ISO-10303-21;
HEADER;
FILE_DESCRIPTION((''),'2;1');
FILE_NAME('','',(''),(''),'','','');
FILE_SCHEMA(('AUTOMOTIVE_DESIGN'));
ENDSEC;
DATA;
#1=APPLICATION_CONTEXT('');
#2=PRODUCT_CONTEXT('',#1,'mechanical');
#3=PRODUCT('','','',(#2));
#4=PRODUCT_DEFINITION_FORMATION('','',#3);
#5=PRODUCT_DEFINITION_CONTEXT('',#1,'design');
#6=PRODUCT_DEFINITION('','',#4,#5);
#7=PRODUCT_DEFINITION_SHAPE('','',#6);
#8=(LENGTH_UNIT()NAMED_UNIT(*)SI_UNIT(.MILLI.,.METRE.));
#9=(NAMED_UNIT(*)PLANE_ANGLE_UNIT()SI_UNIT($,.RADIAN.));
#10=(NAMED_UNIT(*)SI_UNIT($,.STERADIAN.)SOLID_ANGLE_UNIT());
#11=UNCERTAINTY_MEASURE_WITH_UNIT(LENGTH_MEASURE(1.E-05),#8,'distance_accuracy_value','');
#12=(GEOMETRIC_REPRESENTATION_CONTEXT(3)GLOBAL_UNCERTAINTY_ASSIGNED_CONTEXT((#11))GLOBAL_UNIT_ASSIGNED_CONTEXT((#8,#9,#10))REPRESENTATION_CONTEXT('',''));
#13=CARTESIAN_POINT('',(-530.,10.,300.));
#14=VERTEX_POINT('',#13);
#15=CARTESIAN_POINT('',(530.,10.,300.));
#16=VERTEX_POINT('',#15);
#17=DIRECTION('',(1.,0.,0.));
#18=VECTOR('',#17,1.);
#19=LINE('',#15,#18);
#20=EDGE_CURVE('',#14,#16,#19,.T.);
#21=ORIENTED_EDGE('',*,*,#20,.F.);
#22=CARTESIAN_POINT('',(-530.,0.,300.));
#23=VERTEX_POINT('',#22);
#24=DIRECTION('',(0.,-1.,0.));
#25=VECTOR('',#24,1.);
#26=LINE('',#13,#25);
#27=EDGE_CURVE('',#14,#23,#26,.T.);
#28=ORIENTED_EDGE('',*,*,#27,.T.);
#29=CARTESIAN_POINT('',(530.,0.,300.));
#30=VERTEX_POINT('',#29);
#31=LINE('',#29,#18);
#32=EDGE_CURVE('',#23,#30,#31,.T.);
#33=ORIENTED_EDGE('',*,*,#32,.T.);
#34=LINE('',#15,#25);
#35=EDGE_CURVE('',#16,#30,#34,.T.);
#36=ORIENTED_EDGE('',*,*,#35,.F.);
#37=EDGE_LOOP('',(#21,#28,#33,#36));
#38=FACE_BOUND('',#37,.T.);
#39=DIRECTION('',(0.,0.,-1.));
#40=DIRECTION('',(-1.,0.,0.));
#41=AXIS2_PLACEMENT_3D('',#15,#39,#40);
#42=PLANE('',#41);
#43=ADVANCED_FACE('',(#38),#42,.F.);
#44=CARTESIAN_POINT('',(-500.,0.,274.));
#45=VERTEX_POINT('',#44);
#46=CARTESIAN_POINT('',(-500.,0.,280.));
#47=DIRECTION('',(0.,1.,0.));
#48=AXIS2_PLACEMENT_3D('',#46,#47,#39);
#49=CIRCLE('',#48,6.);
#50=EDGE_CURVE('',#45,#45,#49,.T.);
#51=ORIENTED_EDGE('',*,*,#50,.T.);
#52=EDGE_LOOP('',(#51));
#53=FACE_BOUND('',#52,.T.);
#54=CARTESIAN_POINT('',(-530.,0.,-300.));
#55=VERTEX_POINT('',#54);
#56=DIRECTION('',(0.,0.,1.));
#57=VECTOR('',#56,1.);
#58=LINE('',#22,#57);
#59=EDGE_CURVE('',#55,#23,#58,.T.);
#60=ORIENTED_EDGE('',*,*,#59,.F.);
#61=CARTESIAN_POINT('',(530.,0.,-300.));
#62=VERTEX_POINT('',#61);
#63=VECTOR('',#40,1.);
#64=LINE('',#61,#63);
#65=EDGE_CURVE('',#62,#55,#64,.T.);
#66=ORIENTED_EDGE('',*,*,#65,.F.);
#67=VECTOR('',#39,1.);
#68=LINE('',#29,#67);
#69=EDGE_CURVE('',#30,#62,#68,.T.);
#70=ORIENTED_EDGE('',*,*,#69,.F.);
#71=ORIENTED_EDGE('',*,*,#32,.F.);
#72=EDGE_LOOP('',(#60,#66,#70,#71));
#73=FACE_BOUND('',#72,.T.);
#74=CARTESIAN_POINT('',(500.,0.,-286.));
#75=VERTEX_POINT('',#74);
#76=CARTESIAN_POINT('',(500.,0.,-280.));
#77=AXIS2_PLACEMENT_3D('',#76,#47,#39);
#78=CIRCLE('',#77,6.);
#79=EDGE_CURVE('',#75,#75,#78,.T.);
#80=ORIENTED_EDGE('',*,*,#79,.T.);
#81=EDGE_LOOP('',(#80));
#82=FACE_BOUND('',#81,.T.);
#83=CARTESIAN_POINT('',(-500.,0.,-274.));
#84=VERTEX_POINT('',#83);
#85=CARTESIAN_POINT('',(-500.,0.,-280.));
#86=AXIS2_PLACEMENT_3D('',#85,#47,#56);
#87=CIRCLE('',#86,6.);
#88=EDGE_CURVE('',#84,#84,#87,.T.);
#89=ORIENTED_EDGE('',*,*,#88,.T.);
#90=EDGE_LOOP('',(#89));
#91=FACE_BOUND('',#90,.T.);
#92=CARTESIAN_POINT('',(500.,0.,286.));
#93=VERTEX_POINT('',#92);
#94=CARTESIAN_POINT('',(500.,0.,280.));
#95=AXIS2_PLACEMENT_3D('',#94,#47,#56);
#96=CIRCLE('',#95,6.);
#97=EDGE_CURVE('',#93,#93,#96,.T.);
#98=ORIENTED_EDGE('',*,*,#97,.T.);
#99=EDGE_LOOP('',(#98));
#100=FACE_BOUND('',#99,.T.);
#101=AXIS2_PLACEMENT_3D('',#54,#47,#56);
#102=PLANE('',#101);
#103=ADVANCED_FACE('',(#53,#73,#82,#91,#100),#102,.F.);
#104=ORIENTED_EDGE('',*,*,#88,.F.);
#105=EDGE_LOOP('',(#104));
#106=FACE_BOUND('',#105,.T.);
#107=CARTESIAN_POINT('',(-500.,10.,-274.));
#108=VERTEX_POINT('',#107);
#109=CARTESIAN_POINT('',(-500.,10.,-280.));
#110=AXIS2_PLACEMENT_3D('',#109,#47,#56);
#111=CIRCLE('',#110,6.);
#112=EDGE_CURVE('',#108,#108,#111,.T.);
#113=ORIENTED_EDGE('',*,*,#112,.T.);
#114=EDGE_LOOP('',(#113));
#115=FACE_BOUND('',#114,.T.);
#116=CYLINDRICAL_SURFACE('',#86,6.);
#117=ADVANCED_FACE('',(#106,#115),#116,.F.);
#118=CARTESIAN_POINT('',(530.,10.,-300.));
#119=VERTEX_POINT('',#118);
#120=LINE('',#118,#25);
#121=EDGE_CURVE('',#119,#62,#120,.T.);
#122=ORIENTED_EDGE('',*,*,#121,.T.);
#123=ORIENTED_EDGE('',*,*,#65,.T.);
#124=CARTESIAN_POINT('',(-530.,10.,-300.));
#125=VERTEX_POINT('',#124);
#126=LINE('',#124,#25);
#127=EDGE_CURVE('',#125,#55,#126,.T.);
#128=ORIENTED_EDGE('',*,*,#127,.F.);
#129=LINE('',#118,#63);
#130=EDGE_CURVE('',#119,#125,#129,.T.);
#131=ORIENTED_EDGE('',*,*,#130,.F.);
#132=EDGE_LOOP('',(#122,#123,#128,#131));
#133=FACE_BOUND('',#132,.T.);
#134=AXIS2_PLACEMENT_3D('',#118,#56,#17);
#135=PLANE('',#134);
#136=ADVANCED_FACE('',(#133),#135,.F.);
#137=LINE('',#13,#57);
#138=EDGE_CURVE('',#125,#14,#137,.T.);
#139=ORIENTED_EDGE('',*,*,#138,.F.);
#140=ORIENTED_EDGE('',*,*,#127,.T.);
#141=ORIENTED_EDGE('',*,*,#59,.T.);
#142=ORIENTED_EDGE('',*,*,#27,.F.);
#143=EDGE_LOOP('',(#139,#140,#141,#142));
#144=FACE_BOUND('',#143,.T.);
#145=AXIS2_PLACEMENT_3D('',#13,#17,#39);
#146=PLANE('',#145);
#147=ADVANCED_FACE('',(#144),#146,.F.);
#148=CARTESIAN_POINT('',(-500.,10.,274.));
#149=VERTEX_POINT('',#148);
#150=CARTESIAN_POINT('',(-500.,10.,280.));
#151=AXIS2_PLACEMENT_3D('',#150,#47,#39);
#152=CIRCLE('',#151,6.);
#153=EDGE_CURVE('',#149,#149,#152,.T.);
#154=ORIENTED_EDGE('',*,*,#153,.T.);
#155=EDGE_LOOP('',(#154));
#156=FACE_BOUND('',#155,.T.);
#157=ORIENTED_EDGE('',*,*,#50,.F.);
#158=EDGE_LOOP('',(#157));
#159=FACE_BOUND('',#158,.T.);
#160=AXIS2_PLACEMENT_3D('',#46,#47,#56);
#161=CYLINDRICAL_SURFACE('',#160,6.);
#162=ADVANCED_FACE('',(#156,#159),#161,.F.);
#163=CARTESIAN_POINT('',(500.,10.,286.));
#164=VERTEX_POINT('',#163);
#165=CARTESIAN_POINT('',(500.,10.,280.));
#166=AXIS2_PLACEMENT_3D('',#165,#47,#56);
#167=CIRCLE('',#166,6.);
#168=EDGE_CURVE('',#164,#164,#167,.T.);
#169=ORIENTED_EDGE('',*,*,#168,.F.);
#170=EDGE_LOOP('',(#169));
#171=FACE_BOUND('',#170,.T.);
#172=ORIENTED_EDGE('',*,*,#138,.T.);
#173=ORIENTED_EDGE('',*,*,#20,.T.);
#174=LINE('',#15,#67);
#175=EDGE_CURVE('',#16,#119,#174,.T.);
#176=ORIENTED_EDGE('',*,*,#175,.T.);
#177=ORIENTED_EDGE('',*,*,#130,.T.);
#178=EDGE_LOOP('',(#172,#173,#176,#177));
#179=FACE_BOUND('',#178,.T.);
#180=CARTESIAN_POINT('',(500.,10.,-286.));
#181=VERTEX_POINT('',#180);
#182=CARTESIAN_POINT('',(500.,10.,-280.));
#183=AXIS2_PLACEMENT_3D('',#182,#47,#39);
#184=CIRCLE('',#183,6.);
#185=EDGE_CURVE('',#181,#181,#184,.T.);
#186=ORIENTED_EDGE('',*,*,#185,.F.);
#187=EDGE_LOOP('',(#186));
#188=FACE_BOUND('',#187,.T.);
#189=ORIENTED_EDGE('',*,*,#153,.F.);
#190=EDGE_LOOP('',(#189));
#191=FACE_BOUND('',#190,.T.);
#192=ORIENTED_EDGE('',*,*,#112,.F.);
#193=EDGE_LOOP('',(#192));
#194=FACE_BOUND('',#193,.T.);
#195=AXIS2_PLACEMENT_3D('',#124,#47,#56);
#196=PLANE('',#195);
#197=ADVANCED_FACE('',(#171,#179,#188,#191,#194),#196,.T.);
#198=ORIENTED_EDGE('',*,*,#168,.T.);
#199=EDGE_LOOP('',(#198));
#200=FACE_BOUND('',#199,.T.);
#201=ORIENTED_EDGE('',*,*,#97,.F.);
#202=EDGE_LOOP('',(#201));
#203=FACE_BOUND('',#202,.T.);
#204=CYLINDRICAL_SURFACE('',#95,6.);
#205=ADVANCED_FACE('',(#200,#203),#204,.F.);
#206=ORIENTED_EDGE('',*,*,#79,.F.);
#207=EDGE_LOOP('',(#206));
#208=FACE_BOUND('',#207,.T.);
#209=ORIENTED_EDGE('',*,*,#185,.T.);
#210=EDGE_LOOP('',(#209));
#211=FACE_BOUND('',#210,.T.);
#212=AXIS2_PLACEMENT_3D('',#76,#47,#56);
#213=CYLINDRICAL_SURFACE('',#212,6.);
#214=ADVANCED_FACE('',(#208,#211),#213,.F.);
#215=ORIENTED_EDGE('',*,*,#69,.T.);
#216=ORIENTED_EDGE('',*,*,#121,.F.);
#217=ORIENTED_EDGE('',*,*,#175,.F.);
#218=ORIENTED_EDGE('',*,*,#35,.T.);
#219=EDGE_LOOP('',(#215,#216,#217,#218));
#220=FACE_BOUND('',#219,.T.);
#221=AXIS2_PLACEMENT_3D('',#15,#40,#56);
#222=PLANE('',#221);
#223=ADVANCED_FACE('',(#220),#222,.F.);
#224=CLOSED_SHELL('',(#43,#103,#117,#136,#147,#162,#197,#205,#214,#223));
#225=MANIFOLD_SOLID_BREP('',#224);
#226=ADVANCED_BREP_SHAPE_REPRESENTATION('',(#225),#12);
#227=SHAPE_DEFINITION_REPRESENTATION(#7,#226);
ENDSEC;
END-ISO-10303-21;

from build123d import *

# Parameters (mm, degrees)
CROQUIS1_W     = 1060
CROQUIS1_H     = 600
EXTRUIR1_DEPTH = 10
CROQUIS2_R     = 6
EXTRUIR2_DEPTH = 610.097693314


with BuildPart() as part:
    # Croquis1 → Extruir1 (new body)
    with BuildSketch(Plane(origin=(0, 0, 0), x_dir=(1, 0, 0), z_dir=(0, 1, 0))):
        Rectangle(CROQUIS1_W, CROQUIS1_H)
    extrude(amount=EXTRUIR1_DEPTH)

    # Croquis2 → Extruir2 (cut, through all)
    with BuildSketch(Plane(origin=(0, 10, 0), x_dir=(1, 0, 0), z_dir=(0, 1, 0))):
        with Locations(Location((-500, 280, 0), (0, 0, 270))):
            Circle(CROQUIS2_R)
        with Locations(Location((500, 280, 0), (0, 0, 90))):
            Circle(CROQUIS2_R)
        with Locations(Location((500, -280, 0), (0, 0, 270))):
            Circle(CROQUIS2_R)
        with Locations(Location((-500, -280, 0), (0, 0, 90))):
            Circle(CROQUIS2_R)
    extrude(amount=-EXTRUIR2_DEPTH, mode=Mode.SUBTRACT)


solid = part.part
